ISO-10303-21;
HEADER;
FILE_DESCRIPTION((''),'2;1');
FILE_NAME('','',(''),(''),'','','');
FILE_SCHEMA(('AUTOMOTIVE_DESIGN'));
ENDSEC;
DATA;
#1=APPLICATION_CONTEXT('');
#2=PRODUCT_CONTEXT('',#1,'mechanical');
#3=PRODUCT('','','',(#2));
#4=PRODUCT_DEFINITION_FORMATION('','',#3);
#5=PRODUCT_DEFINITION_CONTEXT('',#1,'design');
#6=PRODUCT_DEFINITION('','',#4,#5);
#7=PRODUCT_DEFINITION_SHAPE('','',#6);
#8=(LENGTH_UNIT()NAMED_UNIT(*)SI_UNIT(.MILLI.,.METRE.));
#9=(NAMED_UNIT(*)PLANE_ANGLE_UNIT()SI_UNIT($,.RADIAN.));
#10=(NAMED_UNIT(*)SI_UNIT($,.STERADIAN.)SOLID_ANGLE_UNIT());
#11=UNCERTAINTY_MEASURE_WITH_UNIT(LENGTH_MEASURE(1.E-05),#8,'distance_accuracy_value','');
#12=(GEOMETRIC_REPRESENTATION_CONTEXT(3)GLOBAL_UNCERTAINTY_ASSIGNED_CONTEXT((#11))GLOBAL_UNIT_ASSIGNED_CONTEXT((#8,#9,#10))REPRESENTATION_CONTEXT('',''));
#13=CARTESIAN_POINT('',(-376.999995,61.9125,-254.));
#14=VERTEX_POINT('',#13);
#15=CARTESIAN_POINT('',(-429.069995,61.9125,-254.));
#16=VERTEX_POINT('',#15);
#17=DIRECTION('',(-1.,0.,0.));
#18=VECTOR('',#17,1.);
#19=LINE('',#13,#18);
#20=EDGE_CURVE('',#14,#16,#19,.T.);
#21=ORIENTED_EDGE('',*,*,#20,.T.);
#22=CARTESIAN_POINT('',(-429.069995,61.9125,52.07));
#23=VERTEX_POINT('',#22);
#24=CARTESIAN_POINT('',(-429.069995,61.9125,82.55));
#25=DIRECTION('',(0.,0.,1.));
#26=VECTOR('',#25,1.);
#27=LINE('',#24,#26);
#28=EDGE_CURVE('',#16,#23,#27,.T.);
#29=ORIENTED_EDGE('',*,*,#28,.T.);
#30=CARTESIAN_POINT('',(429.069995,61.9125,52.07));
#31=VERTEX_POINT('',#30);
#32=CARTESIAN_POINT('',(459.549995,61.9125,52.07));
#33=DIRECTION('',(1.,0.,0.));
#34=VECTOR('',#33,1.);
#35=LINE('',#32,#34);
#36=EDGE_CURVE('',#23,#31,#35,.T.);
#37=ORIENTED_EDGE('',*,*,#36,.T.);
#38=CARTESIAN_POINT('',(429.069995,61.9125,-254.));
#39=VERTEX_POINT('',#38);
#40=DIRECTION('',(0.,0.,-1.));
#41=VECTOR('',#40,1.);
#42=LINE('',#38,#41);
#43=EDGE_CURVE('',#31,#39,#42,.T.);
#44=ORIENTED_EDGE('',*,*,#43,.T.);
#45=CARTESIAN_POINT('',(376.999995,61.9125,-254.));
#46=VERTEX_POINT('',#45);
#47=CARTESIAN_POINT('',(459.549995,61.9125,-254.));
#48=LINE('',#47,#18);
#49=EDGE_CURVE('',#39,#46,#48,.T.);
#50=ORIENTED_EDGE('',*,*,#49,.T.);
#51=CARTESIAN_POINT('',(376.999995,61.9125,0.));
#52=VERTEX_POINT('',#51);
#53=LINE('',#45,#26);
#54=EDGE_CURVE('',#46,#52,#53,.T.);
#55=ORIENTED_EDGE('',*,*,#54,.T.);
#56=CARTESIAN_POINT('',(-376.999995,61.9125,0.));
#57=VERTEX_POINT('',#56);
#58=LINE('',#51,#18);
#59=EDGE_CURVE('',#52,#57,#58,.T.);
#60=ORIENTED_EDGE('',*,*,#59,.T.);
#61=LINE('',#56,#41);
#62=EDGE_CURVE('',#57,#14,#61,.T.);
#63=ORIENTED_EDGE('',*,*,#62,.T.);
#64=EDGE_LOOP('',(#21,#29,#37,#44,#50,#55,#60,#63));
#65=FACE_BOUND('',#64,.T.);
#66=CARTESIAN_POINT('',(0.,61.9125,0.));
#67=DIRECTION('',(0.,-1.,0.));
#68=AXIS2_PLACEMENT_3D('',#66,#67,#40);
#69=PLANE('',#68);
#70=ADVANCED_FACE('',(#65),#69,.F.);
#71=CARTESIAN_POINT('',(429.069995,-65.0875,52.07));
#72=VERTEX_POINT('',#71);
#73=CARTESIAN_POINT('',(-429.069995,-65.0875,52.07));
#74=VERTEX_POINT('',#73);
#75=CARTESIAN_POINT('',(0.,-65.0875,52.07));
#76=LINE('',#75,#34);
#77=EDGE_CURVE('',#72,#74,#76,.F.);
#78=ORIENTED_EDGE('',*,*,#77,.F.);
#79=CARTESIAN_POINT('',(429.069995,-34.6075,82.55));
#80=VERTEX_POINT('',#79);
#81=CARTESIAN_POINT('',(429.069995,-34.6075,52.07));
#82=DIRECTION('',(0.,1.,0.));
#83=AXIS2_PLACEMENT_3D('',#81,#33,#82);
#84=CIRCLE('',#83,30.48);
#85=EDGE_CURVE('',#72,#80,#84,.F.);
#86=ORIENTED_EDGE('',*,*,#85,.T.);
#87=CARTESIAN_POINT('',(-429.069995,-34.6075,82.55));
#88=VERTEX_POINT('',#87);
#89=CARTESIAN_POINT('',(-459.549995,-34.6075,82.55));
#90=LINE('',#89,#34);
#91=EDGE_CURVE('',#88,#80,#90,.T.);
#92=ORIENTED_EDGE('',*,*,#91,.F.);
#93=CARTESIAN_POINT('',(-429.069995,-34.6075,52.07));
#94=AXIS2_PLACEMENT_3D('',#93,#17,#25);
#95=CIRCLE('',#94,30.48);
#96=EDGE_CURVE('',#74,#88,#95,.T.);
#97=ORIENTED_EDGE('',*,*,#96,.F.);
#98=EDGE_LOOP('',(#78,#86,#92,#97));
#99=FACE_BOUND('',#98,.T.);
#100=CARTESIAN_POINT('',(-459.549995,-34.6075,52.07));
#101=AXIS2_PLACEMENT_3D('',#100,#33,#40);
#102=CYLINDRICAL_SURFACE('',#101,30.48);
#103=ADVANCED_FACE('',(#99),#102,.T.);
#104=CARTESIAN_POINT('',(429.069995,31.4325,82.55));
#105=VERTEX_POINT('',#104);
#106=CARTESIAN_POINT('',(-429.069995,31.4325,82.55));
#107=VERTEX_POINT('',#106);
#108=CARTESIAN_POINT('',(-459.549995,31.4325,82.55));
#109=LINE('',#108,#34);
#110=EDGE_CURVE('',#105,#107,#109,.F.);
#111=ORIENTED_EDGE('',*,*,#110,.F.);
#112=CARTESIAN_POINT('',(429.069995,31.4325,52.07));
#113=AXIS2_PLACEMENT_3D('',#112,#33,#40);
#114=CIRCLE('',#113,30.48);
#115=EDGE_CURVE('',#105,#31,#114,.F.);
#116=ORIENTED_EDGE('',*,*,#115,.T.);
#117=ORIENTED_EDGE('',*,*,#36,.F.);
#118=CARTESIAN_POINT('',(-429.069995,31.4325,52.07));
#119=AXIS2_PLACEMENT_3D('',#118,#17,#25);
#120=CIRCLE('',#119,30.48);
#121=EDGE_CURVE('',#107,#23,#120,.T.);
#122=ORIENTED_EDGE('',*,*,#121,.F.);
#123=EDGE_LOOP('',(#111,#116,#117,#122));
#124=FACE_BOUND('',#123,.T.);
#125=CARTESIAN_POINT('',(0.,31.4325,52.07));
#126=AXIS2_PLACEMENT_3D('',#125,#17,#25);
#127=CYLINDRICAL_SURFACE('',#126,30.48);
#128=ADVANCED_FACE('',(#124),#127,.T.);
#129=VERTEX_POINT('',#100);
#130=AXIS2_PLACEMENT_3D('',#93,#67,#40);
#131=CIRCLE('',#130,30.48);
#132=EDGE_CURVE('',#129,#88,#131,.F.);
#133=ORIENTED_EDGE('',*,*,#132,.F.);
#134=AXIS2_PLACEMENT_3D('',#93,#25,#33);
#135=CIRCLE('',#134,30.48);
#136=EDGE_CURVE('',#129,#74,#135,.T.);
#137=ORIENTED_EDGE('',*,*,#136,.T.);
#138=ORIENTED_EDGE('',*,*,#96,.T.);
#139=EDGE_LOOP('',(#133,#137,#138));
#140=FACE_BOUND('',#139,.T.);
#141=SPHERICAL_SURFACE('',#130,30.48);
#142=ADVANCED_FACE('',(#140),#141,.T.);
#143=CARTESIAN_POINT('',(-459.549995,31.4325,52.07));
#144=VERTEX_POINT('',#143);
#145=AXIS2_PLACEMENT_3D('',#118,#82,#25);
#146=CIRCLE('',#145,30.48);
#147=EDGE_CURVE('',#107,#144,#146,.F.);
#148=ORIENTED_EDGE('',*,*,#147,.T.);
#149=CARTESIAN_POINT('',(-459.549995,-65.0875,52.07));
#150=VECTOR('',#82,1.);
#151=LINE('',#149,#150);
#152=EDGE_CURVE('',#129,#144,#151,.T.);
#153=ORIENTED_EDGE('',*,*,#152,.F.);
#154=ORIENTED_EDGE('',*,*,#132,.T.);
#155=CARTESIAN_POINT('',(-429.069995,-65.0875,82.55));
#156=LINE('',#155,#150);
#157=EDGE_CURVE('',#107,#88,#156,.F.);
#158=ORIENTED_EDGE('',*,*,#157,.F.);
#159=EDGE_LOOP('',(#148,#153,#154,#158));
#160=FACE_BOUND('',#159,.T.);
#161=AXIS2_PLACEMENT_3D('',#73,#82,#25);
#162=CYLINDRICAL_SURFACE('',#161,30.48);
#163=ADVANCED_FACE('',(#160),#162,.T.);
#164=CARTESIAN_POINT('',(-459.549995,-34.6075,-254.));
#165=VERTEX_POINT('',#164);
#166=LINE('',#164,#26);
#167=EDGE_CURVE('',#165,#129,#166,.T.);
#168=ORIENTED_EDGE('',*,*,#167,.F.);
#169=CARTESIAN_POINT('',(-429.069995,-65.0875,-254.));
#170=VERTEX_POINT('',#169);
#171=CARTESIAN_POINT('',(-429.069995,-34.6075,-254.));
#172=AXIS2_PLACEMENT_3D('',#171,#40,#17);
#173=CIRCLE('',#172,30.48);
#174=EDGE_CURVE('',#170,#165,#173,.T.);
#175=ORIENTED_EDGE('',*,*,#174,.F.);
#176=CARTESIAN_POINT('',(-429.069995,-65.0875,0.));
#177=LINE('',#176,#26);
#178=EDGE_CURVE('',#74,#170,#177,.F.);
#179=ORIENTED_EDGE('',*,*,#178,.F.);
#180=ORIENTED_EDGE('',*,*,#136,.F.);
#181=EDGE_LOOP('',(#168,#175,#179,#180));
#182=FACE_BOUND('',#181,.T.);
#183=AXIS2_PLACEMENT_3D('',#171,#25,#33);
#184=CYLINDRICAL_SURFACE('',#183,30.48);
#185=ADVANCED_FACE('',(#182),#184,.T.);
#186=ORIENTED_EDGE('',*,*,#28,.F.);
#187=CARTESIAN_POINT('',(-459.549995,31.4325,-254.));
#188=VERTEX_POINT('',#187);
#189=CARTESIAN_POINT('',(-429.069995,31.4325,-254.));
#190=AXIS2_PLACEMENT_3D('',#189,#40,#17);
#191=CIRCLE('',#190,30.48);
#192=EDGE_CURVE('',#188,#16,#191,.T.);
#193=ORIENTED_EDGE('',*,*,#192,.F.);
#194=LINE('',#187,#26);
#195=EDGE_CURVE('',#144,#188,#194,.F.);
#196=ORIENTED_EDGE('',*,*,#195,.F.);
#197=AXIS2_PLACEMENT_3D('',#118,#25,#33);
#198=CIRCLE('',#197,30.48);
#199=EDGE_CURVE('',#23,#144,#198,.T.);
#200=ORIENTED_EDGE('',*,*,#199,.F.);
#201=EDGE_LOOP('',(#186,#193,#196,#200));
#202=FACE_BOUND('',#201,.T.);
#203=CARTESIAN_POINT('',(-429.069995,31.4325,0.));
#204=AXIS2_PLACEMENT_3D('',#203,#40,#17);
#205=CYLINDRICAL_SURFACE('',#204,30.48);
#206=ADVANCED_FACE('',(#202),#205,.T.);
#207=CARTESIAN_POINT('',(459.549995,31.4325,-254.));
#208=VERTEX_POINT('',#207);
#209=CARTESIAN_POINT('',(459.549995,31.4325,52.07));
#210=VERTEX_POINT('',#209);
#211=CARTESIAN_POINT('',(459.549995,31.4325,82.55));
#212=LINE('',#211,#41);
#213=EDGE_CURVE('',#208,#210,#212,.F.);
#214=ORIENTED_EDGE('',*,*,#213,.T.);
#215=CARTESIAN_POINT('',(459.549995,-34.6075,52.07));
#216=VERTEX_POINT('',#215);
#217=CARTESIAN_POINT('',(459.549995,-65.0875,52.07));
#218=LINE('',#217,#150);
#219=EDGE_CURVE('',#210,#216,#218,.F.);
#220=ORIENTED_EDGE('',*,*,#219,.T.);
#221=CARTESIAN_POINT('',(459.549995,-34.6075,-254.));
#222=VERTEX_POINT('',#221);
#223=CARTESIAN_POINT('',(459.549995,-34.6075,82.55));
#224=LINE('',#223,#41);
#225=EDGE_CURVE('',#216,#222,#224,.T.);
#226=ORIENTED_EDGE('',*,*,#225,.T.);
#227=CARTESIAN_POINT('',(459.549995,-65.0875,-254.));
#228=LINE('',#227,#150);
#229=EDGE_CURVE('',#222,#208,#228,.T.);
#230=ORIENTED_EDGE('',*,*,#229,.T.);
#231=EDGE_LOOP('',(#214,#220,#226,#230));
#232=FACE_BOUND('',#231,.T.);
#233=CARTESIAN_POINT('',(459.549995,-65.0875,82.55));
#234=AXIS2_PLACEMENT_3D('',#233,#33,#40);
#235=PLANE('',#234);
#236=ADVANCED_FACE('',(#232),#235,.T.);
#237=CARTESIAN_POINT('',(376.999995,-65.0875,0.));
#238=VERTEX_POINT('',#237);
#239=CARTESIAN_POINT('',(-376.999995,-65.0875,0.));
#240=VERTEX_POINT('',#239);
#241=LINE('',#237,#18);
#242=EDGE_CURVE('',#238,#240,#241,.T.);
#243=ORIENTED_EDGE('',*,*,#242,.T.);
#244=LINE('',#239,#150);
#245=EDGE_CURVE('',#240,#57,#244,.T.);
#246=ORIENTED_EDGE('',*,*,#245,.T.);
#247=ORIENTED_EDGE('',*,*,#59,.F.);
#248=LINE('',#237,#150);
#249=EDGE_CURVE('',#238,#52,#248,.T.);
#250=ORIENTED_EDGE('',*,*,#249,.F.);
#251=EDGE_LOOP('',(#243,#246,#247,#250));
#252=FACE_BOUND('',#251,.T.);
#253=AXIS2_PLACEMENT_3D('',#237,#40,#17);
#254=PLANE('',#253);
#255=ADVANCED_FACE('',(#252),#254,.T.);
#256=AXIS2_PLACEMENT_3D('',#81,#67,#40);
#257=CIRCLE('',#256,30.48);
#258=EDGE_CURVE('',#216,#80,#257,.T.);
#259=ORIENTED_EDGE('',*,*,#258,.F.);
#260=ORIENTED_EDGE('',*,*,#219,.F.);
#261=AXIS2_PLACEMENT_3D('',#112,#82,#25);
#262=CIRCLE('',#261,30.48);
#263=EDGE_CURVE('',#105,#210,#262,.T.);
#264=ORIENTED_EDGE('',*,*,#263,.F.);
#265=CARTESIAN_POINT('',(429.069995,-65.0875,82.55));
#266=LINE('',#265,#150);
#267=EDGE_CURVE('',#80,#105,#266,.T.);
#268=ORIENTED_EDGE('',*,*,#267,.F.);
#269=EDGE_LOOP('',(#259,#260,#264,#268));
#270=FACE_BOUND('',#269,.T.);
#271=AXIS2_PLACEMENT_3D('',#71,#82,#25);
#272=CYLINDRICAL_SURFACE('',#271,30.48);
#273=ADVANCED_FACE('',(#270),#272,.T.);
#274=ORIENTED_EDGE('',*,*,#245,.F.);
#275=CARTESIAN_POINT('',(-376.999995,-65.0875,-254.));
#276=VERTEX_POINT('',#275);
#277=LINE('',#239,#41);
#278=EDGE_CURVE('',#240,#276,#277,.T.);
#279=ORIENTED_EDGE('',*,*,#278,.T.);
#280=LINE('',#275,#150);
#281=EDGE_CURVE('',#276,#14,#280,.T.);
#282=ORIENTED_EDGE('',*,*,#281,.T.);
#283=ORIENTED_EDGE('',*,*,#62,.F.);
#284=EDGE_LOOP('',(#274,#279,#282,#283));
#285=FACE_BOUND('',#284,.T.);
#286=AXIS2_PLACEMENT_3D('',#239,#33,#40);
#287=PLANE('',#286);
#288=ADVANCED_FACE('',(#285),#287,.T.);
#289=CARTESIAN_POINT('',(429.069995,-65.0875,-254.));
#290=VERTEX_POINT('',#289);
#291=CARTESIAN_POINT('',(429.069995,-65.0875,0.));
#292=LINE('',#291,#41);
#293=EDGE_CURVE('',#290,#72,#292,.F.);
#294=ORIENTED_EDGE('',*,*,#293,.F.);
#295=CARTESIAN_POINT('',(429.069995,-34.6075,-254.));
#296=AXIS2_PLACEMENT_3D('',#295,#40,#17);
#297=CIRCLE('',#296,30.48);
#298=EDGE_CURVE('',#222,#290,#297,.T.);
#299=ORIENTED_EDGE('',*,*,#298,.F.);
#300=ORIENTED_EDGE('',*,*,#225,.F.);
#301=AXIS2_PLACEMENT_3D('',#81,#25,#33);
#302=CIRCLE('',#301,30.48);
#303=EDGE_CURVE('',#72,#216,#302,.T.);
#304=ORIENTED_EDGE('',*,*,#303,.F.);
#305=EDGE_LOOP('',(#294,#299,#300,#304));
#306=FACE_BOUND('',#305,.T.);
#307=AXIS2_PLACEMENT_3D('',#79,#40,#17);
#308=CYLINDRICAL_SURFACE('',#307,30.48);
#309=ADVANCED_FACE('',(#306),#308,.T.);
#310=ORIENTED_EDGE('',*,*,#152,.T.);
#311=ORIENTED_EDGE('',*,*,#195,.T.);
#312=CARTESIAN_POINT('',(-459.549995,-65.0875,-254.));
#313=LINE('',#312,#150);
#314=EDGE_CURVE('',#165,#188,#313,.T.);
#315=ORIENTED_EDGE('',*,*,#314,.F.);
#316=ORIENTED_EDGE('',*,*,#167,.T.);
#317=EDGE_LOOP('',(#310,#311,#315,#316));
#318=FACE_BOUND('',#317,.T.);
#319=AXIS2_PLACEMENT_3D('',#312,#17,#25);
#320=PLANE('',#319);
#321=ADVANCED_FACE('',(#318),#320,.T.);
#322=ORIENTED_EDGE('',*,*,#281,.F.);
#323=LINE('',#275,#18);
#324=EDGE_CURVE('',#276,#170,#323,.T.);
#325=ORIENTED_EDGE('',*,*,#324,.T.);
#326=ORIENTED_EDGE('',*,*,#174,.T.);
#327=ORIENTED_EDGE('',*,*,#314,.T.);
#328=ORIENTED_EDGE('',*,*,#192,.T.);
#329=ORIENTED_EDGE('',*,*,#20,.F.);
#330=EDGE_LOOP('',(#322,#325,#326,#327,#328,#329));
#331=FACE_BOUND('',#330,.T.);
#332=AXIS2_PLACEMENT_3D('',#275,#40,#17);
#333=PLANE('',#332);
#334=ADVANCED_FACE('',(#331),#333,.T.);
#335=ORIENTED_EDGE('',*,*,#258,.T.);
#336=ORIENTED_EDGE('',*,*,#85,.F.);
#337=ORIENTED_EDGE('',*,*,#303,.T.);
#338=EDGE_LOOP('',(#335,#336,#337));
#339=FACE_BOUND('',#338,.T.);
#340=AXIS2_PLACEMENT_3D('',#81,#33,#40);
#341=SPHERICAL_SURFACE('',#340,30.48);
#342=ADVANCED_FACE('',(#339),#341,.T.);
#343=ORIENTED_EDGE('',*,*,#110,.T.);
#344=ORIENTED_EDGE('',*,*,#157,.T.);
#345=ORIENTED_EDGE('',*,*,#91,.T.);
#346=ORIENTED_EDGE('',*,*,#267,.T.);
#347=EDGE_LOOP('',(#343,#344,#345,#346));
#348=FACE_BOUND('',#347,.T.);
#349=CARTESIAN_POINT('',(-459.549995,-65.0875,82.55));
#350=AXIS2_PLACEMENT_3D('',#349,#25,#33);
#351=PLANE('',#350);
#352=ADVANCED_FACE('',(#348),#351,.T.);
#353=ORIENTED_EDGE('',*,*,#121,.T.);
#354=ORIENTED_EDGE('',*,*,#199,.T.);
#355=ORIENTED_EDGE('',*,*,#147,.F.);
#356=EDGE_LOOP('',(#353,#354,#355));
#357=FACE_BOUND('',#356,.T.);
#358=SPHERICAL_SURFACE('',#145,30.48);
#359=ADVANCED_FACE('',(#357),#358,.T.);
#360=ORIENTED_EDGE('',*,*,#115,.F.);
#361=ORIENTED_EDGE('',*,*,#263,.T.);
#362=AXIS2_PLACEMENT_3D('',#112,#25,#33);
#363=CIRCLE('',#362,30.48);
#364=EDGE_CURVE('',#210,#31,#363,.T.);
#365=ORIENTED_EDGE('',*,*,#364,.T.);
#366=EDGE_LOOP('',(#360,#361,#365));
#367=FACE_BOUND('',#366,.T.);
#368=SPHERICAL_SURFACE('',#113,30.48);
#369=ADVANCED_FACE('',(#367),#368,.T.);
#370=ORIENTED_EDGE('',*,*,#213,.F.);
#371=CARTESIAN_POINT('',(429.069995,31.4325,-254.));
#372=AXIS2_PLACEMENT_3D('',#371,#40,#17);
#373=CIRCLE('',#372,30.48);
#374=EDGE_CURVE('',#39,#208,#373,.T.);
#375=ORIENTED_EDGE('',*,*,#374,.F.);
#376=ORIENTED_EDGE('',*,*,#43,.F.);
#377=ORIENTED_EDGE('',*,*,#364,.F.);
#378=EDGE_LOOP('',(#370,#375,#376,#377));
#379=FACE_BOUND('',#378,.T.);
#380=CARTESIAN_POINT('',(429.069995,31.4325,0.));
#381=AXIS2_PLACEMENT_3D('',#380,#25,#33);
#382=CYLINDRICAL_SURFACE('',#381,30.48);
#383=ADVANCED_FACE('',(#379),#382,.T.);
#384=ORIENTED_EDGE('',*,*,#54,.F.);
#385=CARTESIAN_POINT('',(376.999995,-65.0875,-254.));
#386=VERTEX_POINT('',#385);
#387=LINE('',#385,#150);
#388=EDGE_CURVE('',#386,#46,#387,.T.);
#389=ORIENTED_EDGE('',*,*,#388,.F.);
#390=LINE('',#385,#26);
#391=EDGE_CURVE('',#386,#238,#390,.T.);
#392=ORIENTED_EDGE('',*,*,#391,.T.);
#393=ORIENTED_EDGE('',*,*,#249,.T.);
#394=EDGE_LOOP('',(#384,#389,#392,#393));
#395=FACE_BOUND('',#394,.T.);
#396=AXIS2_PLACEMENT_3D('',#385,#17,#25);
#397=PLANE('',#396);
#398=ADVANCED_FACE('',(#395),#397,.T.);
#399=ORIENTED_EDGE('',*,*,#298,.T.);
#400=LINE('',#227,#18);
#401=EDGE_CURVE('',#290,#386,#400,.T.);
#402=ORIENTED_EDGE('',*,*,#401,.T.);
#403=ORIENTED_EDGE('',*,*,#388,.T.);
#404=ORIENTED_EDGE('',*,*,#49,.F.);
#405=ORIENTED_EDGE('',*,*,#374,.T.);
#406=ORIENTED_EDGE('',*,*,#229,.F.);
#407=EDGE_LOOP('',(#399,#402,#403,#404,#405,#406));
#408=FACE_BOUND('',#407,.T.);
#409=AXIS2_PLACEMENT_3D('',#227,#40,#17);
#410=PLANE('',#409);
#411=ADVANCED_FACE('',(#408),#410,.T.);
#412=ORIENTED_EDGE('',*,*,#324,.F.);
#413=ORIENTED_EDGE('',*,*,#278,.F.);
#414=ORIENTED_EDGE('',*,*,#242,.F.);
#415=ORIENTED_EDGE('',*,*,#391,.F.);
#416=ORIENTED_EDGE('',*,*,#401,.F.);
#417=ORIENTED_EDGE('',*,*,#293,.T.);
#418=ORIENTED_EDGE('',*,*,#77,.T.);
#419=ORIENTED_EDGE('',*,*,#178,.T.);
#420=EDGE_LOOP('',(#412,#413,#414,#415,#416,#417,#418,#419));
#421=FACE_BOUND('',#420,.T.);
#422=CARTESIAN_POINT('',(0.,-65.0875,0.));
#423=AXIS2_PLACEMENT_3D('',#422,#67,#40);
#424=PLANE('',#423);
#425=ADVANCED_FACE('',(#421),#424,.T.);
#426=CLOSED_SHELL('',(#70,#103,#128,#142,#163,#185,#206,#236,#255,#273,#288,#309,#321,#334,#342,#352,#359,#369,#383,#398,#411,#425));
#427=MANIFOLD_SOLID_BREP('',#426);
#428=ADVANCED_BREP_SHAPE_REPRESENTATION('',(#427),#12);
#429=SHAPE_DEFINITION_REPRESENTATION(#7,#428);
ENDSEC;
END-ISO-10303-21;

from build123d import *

# Parameters (mm, degrees)
BOSS_EXTRUDE1_DEPTH      = 61.9125
BOSS_EXTRUDE1_DEPTH_BACK = 65.0875
FILLET1_R                = 30.48


with BuildPart() as part:
    # Sketch1 → Boss-Extrude1 (new body, two sides)
    with BuildSketch(Plane(origin=(0, 0, 0), x_dir=(1, 0, 0), z_dir=(0, 1, 0))) as boss_extrude1_sk:
        Polygon((376.9999953, 0), (-376.9999953, 0), (-376.9999953, 254), (-459.5499953, 254), (-459.5499953, -82.55), (459.5499953, -82.55), (459.5499953, 254), (376.9999953, 254), align=None)
    extrude(amount=BOSS_EXTRUDE1_DEPTH)
    extrude(boss_extrude1_sk.sketch, amount=-BOSS_EXTRUDE1_DEPTH_BACK)

    # Fillet1
    fillet1_edges = [part.edges().sort_by_distance(p)[0] for p in [
        (459.5499953, -1.5875, 82.55),
        (-459.5499953, -1.5875, 82.55),
        (-459.5499953, -65.0875, -85.725),
        (-459.5499953, 61.9125, -85.725),
        (0, -65.0875, 82.55),
        (0, 61.9125, 82.55),
        (459.5499953, 61.9125, -85.725),
        (459.5499953, -65.0875, -85.725),
    ]]
    fillet(fillet1_edges, radius=FILLET1_R)


solid = part.part
